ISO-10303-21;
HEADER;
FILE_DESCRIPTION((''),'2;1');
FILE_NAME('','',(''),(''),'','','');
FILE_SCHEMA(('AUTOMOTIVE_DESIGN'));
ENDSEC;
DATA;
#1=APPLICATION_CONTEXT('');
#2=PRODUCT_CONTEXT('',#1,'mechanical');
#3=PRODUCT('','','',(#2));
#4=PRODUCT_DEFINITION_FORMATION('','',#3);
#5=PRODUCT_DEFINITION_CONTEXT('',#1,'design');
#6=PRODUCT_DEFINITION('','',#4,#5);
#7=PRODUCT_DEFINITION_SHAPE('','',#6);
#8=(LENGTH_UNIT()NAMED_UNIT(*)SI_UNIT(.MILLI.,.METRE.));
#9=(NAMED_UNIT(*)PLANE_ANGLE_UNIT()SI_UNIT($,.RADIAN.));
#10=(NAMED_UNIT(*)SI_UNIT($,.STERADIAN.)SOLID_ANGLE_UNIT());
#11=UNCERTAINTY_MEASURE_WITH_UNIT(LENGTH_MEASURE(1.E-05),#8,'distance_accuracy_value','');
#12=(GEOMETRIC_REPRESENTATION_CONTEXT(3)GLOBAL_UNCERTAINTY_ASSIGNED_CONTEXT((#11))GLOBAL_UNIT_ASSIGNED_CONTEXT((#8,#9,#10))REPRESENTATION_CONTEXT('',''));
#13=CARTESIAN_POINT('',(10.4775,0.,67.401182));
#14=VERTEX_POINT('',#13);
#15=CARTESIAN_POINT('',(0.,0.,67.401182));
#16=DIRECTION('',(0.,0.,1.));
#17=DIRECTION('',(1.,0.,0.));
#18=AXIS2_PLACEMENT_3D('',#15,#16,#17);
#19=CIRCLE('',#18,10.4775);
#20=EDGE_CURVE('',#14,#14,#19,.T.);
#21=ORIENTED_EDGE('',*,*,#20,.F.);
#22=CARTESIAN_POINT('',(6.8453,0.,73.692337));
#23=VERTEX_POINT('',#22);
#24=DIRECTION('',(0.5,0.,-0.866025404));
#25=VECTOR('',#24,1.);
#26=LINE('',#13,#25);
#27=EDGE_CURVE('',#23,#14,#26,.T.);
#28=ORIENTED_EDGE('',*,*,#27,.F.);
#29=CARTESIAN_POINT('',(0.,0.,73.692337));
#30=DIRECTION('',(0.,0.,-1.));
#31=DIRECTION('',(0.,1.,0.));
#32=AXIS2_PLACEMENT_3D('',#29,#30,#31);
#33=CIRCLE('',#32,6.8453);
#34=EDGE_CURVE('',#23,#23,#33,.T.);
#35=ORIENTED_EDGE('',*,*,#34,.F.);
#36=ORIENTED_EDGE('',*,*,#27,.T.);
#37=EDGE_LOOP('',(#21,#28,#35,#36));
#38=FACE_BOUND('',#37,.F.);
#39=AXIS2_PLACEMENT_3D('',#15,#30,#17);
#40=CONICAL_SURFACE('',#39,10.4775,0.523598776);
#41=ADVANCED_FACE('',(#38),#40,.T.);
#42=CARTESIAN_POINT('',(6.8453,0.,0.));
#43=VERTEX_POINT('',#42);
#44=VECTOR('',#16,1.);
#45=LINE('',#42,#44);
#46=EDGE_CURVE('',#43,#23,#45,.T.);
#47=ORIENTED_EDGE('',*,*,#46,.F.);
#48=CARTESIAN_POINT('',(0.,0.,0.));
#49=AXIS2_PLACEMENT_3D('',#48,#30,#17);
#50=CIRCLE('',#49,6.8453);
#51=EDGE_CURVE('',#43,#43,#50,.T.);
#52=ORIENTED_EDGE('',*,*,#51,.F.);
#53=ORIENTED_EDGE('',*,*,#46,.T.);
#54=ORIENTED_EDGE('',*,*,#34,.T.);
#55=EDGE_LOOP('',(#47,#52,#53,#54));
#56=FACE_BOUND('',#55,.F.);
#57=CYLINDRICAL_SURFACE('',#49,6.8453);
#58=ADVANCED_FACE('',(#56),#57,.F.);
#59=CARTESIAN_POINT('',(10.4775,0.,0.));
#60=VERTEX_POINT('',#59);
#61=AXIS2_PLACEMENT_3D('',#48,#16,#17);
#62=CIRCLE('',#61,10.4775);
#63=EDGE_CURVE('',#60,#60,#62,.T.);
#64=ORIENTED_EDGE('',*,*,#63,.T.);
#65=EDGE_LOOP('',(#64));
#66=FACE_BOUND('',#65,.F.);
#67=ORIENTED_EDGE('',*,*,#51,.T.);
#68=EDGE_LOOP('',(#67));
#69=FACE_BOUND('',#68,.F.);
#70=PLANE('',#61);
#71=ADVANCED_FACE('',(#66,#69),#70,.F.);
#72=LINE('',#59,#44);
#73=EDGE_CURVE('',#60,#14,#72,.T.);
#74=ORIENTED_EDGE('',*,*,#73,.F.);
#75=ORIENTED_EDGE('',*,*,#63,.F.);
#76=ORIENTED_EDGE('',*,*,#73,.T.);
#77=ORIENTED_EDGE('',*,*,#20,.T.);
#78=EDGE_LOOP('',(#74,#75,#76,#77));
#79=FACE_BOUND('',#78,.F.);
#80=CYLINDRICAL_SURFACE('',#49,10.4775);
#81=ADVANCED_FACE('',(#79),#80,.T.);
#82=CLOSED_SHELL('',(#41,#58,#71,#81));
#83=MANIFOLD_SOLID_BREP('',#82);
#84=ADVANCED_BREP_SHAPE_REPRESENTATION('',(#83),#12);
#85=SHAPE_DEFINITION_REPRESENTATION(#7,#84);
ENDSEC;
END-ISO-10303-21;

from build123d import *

# Parameters (mm, degrees)
F0_R     = 10.4775
F1_DEPTH = 76.2
F2_SIZE2 = 8.7988181024
F2_SIZE  = 5.08
F3_R     = 6.8453
F4_DEPTH = 76.201


with BuildPart() as f1:
    # F0 (on Top) → F1 (new body)
    with BuildSketch(Plane.XY):
        Circle(F0_R)
    extrude(amount=F1_DEPTH)

    # F2
    f2_edges = [f1.edges().sort_by_distance(p)[0] for p in [
        (-10.4775, 0, 76.2),
    ]]
    f2_side = f1.faces().sort_by_distance((0, 0, 76.2))[0]
    chamfer(f2_edges, length=F2_SIZE, length2=F2_SIZE2, reference=f2_side)

    # F3 (on face) → F4 (cut, through all)
    with BuildSketch(Plane(origin=(0, 0, 0), x_dir=(1, 0, 0), z_dir=(0, 0, -1))):
        Circle(F3_R)
    extrude(amount=-F4_DEPTH, mode=Mode.SUBTRACT)


solid = f1.part
